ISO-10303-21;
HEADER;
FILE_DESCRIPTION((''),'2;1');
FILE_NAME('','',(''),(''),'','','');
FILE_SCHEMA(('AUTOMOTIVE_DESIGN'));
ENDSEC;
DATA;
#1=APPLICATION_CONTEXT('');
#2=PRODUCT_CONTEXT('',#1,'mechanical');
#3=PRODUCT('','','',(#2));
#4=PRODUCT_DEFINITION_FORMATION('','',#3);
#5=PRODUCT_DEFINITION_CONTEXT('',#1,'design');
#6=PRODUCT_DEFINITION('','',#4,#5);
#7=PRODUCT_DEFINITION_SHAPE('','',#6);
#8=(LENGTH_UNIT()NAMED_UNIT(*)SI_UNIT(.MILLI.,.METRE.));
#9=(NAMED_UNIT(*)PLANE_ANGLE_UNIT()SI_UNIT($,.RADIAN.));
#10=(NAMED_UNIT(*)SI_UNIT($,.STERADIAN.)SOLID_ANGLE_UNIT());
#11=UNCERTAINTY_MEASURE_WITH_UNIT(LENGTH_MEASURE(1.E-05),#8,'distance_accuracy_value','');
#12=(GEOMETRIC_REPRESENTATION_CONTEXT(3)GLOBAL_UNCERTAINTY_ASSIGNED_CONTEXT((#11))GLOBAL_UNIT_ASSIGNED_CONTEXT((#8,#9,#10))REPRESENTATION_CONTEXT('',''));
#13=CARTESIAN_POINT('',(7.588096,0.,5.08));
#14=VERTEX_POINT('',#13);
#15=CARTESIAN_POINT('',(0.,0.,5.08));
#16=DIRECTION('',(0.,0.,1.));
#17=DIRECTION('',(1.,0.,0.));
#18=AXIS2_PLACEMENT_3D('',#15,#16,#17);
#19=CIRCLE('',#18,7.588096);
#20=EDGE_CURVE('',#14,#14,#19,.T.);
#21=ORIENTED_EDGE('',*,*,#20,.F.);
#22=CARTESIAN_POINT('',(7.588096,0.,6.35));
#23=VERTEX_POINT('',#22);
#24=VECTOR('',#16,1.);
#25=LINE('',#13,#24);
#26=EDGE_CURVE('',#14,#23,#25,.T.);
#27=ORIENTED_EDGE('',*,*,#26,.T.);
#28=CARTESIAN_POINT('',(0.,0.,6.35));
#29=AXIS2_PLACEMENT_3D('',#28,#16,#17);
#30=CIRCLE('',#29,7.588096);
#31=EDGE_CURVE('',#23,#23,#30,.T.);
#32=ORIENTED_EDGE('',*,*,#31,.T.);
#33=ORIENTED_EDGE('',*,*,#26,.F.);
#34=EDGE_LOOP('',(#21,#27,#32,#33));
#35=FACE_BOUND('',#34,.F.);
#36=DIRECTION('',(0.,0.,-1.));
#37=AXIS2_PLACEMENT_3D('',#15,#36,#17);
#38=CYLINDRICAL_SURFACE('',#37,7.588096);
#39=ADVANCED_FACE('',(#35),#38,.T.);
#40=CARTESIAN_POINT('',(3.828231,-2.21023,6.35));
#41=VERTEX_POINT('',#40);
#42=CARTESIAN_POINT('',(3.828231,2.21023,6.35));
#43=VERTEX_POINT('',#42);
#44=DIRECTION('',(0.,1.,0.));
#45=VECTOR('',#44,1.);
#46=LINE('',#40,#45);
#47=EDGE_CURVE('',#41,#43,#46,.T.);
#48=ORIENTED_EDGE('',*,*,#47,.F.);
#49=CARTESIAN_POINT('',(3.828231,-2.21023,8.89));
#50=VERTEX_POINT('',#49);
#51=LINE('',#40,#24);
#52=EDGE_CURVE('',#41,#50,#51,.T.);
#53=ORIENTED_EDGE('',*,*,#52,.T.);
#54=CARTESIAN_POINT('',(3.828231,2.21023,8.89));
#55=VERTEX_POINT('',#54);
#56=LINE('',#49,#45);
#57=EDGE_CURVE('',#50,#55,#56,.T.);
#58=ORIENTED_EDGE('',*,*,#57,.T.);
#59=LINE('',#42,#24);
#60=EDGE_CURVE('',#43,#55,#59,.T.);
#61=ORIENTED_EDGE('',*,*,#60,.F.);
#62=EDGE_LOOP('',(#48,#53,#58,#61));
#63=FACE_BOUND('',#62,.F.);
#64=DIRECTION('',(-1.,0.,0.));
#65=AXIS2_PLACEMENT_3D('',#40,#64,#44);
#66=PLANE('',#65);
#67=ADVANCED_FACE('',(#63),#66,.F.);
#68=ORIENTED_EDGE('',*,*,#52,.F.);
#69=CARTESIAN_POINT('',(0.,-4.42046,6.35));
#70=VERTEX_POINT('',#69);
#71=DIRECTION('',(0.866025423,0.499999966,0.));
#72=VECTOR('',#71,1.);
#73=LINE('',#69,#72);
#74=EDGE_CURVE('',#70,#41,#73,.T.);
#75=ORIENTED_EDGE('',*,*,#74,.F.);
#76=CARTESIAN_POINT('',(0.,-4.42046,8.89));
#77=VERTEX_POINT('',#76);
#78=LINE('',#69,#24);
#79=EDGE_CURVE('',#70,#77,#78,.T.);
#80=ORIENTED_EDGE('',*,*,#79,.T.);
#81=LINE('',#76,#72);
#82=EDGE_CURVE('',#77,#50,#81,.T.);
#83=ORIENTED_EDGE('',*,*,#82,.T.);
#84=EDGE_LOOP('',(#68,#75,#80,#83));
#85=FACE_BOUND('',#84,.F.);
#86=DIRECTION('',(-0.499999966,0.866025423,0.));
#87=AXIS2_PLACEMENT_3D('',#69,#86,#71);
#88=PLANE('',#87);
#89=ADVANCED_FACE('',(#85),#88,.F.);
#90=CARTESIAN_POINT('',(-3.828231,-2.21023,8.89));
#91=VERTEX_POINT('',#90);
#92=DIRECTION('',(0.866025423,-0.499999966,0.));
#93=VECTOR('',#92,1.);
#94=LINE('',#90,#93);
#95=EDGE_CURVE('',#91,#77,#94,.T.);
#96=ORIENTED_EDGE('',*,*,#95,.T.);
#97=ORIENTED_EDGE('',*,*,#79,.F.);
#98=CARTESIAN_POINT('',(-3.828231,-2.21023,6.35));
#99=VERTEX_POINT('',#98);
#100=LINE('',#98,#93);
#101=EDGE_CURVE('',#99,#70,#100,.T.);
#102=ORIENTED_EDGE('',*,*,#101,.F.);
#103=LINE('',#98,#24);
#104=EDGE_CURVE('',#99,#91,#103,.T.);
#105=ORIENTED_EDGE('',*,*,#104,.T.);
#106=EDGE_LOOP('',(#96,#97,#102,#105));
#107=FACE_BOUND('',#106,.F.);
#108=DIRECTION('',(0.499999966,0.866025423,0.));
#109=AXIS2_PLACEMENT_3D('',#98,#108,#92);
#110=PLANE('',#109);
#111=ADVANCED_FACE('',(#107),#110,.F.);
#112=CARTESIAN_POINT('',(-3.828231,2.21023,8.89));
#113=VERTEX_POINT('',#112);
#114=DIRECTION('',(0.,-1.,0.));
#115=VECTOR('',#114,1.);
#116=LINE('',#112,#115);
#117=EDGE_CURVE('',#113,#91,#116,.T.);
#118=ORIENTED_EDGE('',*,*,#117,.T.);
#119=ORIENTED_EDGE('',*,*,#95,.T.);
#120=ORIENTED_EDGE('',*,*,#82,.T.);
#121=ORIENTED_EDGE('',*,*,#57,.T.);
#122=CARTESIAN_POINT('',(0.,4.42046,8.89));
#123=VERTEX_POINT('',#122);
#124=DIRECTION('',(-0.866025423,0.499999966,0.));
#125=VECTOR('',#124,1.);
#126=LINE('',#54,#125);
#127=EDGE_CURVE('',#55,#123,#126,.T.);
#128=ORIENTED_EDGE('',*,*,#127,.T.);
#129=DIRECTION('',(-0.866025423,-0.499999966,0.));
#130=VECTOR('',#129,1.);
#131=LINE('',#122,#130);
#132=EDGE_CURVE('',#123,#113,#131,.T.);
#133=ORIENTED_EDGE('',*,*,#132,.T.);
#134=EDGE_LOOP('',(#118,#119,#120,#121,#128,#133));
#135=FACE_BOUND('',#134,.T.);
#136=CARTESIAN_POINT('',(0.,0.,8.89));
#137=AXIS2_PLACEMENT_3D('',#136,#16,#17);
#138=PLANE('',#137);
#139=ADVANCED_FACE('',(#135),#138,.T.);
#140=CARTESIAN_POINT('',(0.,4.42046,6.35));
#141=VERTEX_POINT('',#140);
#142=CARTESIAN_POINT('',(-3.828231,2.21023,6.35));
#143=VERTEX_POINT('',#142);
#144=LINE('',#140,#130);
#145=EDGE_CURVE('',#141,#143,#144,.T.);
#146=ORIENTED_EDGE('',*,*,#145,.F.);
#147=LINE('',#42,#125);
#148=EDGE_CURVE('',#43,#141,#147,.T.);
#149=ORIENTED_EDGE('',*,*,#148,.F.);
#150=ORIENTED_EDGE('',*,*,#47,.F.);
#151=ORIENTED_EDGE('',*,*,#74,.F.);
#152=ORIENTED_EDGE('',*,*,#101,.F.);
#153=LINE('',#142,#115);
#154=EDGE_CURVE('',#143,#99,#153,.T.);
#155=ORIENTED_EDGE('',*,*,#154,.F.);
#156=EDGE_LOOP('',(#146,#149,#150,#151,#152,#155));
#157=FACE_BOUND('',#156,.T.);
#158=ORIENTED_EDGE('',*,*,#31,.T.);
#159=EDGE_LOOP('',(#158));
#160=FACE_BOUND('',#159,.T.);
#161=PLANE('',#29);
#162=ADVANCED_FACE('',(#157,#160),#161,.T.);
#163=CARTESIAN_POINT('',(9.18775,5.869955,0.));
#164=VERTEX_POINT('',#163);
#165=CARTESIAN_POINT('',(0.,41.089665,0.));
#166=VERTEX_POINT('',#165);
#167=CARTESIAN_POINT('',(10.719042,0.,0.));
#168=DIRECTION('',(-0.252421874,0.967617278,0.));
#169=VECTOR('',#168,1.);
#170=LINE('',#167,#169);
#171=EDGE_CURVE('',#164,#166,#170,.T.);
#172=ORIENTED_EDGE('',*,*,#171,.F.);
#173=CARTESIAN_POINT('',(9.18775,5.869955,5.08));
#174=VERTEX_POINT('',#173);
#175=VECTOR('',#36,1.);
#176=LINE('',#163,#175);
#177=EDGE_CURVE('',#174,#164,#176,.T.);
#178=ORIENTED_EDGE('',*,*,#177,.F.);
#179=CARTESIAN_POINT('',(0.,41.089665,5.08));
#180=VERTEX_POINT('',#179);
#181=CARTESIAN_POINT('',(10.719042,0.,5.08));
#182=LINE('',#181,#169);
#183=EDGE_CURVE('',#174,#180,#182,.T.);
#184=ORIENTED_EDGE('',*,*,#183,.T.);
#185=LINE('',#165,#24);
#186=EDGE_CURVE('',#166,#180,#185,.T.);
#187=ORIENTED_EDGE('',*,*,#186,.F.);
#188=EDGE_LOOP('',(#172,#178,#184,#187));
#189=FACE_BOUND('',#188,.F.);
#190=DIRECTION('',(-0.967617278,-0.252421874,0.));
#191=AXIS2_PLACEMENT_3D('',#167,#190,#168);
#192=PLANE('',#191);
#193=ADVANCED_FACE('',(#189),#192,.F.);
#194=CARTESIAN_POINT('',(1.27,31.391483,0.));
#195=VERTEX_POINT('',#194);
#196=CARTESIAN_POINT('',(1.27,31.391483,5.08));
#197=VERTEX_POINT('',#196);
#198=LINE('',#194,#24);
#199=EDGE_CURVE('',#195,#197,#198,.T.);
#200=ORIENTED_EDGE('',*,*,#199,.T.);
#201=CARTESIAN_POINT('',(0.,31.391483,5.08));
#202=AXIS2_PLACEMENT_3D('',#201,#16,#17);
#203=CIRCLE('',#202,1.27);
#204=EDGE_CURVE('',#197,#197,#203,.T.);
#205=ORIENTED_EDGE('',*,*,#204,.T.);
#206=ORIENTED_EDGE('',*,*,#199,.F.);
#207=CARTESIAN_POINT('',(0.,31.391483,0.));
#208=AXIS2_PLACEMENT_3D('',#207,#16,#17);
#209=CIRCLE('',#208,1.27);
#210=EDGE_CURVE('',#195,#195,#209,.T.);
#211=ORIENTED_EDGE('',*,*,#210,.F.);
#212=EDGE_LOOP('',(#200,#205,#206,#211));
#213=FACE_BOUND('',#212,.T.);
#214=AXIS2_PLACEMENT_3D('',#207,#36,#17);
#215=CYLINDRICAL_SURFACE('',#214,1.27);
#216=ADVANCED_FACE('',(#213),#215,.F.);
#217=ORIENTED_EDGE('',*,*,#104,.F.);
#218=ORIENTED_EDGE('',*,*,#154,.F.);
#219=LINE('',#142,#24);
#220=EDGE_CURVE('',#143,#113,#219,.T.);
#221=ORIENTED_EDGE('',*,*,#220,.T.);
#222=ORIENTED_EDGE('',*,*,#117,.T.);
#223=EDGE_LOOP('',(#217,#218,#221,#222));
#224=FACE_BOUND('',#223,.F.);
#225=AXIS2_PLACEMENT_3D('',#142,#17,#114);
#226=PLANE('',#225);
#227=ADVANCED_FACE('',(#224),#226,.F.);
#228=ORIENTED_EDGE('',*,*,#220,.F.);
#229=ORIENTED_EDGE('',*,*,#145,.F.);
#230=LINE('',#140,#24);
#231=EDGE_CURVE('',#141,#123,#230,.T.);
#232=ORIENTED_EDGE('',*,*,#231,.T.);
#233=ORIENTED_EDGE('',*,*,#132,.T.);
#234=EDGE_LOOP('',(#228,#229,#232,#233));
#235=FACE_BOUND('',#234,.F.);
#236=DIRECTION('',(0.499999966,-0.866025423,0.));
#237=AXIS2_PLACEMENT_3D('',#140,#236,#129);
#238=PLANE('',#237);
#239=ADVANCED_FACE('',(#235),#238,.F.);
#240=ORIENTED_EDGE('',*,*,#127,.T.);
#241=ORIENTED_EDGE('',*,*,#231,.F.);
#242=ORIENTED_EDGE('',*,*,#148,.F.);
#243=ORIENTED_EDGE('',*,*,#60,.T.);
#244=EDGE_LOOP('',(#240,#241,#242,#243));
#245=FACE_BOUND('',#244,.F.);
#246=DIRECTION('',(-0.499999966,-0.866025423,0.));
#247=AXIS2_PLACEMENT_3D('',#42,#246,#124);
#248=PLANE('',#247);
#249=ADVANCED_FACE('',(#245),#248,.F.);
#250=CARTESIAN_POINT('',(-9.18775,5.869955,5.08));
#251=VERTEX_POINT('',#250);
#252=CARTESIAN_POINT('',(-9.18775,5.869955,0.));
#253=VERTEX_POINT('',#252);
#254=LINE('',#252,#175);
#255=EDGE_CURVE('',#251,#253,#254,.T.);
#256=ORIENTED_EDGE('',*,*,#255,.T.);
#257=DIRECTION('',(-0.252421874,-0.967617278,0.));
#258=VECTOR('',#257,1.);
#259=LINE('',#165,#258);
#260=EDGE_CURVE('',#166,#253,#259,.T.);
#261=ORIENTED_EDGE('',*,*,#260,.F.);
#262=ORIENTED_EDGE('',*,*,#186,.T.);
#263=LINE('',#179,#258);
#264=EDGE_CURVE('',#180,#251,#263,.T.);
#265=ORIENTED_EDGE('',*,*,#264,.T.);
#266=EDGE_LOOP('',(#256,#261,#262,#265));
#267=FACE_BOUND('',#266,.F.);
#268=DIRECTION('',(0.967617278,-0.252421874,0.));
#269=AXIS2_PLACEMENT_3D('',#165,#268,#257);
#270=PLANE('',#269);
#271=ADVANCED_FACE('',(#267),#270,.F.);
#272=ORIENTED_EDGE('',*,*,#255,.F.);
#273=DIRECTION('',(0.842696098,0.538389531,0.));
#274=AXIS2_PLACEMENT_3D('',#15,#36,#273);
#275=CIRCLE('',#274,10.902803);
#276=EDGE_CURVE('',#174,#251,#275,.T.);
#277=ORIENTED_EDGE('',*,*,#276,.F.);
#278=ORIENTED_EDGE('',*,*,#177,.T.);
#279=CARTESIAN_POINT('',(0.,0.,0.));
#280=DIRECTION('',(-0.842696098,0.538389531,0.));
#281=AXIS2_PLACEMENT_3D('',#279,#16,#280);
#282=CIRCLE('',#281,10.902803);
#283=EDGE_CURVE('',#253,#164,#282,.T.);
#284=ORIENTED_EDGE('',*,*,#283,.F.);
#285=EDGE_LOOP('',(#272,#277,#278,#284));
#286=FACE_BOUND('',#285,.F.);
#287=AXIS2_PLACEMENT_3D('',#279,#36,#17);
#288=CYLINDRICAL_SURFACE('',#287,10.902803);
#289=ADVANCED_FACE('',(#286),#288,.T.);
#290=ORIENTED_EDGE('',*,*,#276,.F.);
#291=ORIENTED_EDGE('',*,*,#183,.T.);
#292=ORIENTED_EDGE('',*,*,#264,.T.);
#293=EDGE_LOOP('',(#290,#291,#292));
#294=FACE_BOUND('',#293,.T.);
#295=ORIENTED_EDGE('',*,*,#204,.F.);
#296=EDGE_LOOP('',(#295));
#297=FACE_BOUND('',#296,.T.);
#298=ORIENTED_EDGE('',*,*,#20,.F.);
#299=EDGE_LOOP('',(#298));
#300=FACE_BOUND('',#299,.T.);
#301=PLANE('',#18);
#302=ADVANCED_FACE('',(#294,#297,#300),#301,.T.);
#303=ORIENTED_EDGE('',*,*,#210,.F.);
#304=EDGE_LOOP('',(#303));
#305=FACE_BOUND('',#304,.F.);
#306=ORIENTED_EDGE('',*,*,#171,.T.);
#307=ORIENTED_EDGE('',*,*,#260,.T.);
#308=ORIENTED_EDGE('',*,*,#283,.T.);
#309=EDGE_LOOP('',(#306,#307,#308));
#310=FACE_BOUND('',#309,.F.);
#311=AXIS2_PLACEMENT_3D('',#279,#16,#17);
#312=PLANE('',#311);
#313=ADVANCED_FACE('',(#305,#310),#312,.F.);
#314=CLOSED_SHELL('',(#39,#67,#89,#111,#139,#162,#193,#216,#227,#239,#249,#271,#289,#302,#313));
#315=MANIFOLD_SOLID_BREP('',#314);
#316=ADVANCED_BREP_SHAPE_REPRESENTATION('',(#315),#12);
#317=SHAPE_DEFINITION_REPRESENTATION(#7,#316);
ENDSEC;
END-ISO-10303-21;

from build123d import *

# Parameters (mm, degrees)
F2_R     = 1.27
F3_DEPTH = 5.08
F0_R     = 10.902803
F4_DEPTH = 5.08
F5_R     = 7.588096
F6_DEPTH = 1.27
F8_DEPTH = 2.54


with BuildPart() as f3:
    # F2 (on face) → F3 (new body)
    with BuildSketch(Plane.XY):
        Polygon((10.719042, 0), (0, 41.089665), (-10.719042, 0), align=None)
        with Locations((0, 31.391483)):
            Circle(F2_R, mode=Mode.SUBTRACT)
    extrude(amount=F3_DEPTH)

    # F0 (on Top) → F4 (join)
    with BuildSketch(Plane.XY):
        Circle(F0_R)
    extrude(amount=F4_DEPTH)

    # F5 (on face) → F6 (join)
    with BuildSketch(Plane.XY.offset(5.08)):
        Circle(F5_R)
    extrude(amount=F6_DEPTH)

    # F7 (on face) → F8 (join)
    with BuildSketch(Plane.XY.offset(6.35)):
        Polygon((3.828231, -2.21023), (3.828231, 2.21023), (0, 4.42046), (-3.828231, 2.21023), (-3.828231, -2.21023), (0, -4.42046), align=None)
    extrude(amount=F8_DEPTH)


solid = f3.part
